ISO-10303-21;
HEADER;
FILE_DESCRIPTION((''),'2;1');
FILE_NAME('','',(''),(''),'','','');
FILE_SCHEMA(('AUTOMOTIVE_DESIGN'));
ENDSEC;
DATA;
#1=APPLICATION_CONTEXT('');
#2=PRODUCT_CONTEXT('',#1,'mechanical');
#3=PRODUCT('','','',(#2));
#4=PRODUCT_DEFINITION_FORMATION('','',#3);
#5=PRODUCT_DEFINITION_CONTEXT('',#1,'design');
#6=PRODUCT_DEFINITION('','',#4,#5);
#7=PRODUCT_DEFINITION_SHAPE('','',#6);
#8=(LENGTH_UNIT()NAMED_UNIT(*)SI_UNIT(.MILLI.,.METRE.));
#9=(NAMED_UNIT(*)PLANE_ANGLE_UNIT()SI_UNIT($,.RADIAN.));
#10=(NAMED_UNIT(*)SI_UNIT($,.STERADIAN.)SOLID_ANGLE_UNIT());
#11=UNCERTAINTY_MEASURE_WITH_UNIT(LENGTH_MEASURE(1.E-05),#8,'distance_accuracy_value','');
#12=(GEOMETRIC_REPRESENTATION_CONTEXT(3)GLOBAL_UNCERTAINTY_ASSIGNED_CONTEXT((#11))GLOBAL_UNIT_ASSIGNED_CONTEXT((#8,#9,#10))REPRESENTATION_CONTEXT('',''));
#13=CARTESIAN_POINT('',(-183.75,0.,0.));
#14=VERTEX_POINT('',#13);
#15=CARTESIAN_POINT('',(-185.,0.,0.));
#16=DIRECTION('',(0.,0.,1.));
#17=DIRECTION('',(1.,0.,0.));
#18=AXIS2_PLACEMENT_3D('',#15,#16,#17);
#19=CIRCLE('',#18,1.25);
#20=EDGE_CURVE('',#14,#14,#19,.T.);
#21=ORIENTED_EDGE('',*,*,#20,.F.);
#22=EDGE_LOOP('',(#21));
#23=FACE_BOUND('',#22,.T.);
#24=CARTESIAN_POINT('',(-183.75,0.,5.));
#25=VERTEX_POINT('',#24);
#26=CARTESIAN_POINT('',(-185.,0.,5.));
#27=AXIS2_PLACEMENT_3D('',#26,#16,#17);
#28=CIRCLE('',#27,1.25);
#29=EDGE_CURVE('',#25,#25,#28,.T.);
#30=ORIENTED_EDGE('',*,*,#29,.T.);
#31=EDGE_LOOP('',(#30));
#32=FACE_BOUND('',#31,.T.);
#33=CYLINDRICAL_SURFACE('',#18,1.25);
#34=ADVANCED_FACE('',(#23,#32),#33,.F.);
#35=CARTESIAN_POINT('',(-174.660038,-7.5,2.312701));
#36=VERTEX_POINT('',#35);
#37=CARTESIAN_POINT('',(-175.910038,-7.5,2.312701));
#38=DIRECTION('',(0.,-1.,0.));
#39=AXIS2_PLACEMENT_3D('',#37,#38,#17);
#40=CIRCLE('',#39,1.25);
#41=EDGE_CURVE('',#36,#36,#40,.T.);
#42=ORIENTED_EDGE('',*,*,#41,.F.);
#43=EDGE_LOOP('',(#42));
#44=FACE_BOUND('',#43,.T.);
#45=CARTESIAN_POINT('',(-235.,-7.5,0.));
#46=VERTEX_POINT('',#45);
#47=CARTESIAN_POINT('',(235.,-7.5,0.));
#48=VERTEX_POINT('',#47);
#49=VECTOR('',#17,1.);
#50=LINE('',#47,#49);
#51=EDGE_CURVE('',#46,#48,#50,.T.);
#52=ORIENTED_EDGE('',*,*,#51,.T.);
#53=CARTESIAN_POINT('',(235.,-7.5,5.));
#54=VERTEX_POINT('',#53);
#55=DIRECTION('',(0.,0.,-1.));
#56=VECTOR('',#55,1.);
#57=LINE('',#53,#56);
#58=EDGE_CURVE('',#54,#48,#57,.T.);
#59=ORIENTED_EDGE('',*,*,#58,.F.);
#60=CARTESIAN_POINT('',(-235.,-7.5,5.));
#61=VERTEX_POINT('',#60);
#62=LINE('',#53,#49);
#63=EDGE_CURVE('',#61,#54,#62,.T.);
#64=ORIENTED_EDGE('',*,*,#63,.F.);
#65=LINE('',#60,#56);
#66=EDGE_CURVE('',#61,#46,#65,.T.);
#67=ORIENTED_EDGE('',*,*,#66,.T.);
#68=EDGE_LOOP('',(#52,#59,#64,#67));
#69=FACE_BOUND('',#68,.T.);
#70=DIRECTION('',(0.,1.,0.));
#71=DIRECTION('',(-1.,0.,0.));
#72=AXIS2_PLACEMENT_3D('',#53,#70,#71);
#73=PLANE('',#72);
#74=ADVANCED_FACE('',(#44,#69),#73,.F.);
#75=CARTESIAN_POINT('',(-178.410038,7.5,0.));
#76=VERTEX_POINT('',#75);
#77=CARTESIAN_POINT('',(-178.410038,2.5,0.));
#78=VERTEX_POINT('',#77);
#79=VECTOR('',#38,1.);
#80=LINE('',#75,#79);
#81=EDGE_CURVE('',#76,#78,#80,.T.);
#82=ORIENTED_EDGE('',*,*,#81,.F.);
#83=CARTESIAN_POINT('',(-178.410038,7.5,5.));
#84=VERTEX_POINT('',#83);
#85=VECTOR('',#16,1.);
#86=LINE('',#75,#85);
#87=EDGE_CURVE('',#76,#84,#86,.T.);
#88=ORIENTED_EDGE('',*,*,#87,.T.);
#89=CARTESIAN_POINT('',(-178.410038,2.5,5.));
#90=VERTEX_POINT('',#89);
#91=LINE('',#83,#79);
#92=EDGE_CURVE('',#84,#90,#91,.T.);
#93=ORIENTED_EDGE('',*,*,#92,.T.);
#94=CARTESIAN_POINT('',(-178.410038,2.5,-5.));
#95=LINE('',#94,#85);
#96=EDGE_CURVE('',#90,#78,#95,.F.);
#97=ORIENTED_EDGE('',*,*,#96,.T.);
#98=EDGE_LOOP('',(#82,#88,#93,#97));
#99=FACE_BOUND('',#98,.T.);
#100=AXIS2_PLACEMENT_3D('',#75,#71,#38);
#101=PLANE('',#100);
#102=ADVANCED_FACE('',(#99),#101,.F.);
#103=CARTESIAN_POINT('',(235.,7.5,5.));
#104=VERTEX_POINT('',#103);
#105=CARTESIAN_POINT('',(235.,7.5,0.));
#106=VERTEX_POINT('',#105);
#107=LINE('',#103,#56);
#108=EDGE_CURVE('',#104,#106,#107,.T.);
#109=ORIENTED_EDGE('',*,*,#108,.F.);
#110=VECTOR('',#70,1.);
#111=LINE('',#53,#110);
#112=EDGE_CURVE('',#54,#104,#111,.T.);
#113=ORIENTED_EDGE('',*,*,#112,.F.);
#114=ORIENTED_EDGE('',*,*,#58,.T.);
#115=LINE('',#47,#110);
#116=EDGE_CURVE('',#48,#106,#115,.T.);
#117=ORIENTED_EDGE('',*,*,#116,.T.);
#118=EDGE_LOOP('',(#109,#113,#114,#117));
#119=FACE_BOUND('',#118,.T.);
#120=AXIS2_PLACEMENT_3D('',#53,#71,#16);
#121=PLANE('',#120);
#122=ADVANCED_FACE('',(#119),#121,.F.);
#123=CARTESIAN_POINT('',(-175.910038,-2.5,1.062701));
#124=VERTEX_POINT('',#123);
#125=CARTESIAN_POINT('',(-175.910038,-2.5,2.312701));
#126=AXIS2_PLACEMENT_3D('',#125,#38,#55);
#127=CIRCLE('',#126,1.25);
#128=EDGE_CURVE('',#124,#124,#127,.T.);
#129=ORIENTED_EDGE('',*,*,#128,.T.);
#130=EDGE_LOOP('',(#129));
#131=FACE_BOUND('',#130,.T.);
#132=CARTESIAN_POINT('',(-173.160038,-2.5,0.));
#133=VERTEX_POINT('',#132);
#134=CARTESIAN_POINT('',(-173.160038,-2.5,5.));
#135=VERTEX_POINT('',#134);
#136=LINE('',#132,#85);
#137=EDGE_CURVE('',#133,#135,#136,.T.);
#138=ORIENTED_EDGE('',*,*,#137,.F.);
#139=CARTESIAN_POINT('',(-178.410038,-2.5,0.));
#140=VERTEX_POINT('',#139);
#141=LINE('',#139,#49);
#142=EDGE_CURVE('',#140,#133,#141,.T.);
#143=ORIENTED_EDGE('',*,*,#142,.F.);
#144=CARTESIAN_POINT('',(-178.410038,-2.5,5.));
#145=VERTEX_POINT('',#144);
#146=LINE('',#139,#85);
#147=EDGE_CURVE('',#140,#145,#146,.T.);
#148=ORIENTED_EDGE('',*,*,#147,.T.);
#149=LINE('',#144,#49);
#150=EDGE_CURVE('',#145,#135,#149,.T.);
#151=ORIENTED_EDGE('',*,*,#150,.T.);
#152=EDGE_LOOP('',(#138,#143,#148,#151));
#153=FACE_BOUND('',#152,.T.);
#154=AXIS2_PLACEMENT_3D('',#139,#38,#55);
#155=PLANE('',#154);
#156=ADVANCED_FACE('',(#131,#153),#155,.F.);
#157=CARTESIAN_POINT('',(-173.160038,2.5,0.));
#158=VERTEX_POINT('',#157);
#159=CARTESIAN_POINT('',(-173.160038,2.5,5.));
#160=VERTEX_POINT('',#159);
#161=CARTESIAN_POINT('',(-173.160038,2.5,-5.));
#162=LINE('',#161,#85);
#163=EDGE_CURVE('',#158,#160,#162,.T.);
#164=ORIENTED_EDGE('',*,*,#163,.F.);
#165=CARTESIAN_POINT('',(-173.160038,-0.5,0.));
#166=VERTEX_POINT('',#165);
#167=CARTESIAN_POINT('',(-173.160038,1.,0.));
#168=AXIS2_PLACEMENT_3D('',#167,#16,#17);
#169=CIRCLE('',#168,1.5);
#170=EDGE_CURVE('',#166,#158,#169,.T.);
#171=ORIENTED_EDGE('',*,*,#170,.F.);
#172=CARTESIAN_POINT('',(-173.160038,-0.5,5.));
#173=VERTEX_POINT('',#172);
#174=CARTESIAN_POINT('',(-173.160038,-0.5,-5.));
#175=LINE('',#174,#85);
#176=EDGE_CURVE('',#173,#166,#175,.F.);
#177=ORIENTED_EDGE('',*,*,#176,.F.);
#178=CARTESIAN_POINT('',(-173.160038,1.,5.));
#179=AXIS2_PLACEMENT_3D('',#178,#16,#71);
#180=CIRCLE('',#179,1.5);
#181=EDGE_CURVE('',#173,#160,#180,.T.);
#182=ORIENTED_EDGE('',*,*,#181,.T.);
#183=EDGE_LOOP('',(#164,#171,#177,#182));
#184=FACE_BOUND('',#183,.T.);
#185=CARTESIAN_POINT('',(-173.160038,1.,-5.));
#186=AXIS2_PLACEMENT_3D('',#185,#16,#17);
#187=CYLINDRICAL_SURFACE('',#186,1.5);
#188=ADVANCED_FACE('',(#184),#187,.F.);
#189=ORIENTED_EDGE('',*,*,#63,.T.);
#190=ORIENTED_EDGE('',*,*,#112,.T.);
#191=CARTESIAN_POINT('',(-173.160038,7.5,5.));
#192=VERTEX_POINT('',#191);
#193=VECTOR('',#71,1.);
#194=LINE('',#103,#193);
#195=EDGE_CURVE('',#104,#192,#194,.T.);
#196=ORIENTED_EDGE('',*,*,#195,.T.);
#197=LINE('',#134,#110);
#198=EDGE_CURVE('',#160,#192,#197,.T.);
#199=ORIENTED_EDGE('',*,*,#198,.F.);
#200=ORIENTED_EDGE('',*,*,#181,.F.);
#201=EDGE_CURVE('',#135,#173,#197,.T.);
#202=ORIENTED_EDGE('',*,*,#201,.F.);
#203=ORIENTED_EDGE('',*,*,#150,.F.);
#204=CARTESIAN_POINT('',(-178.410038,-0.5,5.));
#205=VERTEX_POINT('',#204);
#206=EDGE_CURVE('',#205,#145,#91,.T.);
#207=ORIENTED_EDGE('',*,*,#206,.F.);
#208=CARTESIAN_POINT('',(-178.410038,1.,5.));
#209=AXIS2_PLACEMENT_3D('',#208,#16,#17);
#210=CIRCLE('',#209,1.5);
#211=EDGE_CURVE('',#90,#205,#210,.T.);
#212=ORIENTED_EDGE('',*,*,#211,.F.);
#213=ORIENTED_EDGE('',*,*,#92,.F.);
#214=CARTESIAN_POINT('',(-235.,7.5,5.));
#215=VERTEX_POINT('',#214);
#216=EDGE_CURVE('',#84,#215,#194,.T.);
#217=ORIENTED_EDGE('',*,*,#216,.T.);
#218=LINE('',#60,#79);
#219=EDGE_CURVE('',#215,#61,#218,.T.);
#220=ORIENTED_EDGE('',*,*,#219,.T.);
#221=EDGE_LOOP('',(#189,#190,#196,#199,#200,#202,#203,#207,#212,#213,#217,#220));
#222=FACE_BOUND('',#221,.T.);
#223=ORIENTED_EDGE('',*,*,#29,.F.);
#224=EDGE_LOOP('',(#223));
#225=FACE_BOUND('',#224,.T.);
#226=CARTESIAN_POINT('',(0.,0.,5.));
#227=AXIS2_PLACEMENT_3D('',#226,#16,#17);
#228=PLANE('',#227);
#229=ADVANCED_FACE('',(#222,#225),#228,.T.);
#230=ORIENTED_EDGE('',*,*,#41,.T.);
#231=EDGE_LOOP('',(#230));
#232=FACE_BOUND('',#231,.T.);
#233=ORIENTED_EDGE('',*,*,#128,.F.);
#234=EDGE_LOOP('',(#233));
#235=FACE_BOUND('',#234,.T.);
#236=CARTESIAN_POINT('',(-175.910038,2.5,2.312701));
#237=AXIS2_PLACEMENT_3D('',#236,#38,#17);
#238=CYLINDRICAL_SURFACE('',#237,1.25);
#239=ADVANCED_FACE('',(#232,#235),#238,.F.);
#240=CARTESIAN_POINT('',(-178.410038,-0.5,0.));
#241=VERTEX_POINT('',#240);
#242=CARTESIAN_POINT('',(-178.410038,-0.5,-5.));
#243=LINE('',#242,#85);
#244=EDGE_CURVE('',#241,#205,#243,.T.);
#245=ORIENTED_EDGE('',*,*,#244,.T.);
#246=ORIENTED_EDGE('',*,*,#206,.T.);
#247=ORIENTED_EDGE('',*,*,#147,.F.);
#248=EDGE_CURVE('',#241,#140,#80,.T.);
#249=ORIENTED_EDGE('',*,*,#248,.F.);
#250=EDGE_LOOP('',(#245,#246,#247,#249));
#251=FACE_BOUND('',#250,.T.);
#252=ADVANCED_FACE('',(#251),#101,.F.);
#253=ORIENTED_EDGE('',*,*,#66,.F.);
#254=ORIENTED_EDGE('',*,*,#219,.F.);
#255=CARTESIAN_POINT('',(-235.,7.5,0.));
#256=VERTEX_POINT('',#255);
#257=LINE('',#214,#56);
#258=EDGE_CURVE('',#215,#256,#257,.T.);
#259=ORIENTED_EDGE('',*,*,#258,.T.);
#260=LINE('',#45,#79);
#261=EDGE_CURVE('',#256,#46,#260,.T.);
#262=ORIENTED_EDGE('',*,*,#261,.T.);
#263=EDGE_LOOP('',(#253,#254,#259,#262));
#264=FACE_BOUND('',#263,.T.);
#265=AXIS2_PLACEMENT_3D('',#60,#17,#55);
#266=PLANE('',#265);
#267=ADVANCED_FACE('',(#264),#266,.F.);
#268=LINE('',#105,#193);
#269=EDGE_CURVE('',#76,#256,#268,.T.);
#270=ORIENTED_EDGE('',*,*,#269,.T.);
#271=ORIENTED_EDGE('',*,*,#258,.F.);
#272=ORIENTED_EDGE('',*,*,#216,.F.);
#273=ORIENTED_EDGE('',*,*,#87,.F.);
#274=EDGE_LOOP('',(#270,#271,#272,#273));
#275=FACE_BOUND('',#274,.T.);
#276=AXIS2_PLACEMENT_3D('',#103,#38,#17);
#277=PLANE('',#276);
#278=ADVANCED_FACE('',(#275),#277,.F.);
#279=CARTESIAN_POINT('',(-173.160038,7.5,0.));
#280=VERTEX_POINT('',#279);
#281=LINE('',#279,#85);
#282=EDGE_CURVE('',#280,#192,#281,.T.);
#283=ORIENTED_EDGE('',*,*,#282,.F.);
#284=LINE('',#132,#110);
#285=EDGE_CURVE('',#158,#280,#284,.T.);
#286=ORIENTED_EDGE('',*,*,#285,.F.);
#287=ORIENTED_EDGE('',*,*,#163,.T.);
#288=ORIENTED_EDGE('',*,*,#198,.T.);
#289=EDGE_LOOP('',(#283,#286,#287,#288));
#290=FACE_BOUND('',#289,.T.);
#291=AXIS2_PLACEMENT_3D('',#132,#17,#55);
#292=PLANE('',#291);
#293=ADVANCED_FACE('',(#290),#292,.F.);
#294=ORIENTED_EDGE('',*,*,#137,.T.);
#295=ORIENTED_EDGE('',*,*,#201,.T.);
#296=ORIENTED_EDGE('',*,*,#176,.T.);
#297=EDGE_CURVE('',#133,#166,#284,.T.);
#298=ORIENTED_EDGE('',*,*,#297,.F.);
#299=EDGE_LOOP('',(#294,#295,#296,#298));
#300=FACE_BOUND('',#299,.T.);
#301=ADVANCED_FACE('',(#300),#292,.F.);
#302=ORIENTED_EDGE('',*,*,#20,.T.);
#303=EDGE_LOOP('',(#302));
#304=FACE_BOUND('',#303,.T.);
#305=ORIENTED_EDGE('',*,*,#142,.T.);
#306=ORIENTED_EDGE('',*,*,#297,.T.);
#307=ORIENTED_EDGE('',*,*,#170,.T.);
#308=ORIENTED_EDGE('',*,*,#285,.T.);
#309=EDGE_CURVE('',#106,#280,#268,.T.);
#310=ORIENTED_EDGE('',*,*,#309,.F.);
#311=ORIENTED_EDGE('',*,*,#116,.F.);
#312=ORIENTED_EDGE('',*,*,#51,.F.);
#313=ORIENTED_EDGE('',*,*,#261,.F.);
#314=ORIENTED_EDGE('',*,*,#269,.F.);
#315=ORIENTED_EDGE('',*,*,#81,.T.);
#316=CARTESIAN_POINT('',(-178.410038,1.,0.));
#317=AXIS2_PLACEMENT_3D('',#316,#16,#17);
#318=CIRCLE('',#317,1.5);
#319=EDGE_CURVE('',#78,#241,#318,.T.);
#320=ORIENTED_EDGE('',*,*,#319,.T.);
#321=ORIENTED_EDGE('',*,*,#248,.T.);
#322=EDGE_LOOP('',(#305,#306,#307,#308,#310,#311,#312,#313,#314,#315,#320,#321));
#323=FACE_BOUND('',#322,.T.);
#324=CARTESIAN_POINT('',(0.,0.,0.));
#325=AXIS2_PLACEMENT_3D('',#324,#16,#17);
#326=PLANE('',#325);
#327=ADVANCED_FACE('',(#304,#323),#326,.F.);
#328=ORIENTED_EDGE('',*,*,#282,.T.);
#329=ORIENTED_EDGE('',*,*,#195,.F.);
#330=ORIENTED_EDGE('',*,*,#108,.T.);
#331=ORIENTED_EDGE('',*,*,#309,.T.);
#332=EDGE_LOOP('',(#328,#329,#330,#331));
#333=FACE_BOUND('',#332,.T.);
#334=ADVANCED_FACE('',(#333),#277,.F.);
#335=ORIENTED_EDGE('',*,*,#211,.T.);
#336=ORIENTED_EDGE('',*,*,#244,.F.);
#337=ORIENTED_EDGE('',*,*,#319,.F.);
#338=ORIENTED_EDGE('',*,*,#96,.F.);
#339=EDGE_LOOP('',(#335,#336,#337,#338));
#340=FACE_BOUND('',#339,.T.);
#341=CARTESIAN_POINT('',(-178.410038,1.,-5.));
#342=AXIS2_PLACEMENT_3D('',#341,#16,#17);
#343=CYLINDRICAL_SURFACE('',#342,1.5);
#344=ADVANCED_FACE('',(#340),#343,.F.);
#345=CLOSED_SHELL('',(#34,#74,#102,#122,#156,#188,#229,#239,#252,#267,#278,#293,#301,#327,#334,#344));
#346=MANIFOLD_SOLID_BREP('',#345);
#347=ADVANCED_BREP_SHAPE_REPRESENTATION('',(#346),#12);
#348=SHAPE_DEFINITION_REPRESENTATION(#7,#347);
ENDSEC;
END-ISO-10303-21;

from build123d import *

# Parameters (mm, degrees)
ESQUISSE1_W             = 470
ESQUISSE1_H             = 15
BOSS_EXTRU_1_DEPTH      = 5
ESQUISSE2_R             = 1.25
ENL_V_MAT_EXTRU_1_DEPTH = 6
ESQUISSE3_W             = 5.25
ESQUISSE3_H             = 10
ENL_V_MAT_EXTRU_2_DEPTH = 6
ESQUISSE4_R             = 1.25
ENL_V_MAT_EXTRU_3_DEPTH = 10
ENL_V_MAT_EXTRU_4_DEPTH = 10


with BuildPart() as part:
    # Esquisse1 → Boss.-Extru.1 (new body)
    with BuildSketch(Plane.XY):
        Rectangle(ESQUISSE1_W, ESQUISSE1_H)
    extrude(amount=BOSS_EXTRU_1_DEPTH)

    # Esquisse2 → Enlèv. mat.-Extru.1 (cut, through all)
    with BuildSketch(Plane.XY.offset(5)):
        with Locations((-185, 0)):
            Circle(ESQUISSE2_R)
    extrude(amount=-ENL_V_MAT_EXTRU_1_DEPTH, mode=Mode.SUBTRACT)

    # Esquisse3 → Enlèv. mat.-Extru.2 (cut, through all)
    with BuildSketch(Plane.XY.offset(5)):
        with Locations((-175.785038425, 2.5)):
            Rectangle(ESQUISSE3_W, ESQUISSE3_H)
    extrude(amount=-ENL_V_MAT_EXTRU_2_DEPTH, mode=Mode.SUBTRACT)

    # Esquisse4 → Enlèv. mat.-Extru.3 (cut)
    with BuildSketch(Plane(origin=(0, -7.5, 0), x_dir=(-1, 0, 0), z_dir=(0, -1, 0))):
        with Locations(Location((175.910038425, -2.312700885, 0), (0, 0, 180))):  # turned: the seam where the file's is
            Circle(ESQUISSE4_R)
    extrude(amount=-ENL_V_MAT_EXTRU_3_DEPTH, mode=Mode.SUBTRACT)

    # Esquisse5 → Enlèv. mat.-Extru.4 (cut)
    with BuildSketch(Plane.XY.offset(5)):
        with BuildLine():
            Line((-178.410038425, 2.5), (-178.410038425, -0.5))
            ThreePointArc((-178.410038425, -0.5), (-179.910038425, 1), (-178.410038425, 2.5))
        make_face()
        with BuildLine():
            Line((-173.160038425, 2.5), (-173.160038425, -0.5))
            ThreePointArc((-173.160038425, -0.5), (-171.660038425, 1), (-173.160038425, 2.5))
        make_face()
    extrude(amount=-ENL_V_MAT_EXTRU_4_DEPTH, mode=Mode.SUBTRACT)


solid = part.part
